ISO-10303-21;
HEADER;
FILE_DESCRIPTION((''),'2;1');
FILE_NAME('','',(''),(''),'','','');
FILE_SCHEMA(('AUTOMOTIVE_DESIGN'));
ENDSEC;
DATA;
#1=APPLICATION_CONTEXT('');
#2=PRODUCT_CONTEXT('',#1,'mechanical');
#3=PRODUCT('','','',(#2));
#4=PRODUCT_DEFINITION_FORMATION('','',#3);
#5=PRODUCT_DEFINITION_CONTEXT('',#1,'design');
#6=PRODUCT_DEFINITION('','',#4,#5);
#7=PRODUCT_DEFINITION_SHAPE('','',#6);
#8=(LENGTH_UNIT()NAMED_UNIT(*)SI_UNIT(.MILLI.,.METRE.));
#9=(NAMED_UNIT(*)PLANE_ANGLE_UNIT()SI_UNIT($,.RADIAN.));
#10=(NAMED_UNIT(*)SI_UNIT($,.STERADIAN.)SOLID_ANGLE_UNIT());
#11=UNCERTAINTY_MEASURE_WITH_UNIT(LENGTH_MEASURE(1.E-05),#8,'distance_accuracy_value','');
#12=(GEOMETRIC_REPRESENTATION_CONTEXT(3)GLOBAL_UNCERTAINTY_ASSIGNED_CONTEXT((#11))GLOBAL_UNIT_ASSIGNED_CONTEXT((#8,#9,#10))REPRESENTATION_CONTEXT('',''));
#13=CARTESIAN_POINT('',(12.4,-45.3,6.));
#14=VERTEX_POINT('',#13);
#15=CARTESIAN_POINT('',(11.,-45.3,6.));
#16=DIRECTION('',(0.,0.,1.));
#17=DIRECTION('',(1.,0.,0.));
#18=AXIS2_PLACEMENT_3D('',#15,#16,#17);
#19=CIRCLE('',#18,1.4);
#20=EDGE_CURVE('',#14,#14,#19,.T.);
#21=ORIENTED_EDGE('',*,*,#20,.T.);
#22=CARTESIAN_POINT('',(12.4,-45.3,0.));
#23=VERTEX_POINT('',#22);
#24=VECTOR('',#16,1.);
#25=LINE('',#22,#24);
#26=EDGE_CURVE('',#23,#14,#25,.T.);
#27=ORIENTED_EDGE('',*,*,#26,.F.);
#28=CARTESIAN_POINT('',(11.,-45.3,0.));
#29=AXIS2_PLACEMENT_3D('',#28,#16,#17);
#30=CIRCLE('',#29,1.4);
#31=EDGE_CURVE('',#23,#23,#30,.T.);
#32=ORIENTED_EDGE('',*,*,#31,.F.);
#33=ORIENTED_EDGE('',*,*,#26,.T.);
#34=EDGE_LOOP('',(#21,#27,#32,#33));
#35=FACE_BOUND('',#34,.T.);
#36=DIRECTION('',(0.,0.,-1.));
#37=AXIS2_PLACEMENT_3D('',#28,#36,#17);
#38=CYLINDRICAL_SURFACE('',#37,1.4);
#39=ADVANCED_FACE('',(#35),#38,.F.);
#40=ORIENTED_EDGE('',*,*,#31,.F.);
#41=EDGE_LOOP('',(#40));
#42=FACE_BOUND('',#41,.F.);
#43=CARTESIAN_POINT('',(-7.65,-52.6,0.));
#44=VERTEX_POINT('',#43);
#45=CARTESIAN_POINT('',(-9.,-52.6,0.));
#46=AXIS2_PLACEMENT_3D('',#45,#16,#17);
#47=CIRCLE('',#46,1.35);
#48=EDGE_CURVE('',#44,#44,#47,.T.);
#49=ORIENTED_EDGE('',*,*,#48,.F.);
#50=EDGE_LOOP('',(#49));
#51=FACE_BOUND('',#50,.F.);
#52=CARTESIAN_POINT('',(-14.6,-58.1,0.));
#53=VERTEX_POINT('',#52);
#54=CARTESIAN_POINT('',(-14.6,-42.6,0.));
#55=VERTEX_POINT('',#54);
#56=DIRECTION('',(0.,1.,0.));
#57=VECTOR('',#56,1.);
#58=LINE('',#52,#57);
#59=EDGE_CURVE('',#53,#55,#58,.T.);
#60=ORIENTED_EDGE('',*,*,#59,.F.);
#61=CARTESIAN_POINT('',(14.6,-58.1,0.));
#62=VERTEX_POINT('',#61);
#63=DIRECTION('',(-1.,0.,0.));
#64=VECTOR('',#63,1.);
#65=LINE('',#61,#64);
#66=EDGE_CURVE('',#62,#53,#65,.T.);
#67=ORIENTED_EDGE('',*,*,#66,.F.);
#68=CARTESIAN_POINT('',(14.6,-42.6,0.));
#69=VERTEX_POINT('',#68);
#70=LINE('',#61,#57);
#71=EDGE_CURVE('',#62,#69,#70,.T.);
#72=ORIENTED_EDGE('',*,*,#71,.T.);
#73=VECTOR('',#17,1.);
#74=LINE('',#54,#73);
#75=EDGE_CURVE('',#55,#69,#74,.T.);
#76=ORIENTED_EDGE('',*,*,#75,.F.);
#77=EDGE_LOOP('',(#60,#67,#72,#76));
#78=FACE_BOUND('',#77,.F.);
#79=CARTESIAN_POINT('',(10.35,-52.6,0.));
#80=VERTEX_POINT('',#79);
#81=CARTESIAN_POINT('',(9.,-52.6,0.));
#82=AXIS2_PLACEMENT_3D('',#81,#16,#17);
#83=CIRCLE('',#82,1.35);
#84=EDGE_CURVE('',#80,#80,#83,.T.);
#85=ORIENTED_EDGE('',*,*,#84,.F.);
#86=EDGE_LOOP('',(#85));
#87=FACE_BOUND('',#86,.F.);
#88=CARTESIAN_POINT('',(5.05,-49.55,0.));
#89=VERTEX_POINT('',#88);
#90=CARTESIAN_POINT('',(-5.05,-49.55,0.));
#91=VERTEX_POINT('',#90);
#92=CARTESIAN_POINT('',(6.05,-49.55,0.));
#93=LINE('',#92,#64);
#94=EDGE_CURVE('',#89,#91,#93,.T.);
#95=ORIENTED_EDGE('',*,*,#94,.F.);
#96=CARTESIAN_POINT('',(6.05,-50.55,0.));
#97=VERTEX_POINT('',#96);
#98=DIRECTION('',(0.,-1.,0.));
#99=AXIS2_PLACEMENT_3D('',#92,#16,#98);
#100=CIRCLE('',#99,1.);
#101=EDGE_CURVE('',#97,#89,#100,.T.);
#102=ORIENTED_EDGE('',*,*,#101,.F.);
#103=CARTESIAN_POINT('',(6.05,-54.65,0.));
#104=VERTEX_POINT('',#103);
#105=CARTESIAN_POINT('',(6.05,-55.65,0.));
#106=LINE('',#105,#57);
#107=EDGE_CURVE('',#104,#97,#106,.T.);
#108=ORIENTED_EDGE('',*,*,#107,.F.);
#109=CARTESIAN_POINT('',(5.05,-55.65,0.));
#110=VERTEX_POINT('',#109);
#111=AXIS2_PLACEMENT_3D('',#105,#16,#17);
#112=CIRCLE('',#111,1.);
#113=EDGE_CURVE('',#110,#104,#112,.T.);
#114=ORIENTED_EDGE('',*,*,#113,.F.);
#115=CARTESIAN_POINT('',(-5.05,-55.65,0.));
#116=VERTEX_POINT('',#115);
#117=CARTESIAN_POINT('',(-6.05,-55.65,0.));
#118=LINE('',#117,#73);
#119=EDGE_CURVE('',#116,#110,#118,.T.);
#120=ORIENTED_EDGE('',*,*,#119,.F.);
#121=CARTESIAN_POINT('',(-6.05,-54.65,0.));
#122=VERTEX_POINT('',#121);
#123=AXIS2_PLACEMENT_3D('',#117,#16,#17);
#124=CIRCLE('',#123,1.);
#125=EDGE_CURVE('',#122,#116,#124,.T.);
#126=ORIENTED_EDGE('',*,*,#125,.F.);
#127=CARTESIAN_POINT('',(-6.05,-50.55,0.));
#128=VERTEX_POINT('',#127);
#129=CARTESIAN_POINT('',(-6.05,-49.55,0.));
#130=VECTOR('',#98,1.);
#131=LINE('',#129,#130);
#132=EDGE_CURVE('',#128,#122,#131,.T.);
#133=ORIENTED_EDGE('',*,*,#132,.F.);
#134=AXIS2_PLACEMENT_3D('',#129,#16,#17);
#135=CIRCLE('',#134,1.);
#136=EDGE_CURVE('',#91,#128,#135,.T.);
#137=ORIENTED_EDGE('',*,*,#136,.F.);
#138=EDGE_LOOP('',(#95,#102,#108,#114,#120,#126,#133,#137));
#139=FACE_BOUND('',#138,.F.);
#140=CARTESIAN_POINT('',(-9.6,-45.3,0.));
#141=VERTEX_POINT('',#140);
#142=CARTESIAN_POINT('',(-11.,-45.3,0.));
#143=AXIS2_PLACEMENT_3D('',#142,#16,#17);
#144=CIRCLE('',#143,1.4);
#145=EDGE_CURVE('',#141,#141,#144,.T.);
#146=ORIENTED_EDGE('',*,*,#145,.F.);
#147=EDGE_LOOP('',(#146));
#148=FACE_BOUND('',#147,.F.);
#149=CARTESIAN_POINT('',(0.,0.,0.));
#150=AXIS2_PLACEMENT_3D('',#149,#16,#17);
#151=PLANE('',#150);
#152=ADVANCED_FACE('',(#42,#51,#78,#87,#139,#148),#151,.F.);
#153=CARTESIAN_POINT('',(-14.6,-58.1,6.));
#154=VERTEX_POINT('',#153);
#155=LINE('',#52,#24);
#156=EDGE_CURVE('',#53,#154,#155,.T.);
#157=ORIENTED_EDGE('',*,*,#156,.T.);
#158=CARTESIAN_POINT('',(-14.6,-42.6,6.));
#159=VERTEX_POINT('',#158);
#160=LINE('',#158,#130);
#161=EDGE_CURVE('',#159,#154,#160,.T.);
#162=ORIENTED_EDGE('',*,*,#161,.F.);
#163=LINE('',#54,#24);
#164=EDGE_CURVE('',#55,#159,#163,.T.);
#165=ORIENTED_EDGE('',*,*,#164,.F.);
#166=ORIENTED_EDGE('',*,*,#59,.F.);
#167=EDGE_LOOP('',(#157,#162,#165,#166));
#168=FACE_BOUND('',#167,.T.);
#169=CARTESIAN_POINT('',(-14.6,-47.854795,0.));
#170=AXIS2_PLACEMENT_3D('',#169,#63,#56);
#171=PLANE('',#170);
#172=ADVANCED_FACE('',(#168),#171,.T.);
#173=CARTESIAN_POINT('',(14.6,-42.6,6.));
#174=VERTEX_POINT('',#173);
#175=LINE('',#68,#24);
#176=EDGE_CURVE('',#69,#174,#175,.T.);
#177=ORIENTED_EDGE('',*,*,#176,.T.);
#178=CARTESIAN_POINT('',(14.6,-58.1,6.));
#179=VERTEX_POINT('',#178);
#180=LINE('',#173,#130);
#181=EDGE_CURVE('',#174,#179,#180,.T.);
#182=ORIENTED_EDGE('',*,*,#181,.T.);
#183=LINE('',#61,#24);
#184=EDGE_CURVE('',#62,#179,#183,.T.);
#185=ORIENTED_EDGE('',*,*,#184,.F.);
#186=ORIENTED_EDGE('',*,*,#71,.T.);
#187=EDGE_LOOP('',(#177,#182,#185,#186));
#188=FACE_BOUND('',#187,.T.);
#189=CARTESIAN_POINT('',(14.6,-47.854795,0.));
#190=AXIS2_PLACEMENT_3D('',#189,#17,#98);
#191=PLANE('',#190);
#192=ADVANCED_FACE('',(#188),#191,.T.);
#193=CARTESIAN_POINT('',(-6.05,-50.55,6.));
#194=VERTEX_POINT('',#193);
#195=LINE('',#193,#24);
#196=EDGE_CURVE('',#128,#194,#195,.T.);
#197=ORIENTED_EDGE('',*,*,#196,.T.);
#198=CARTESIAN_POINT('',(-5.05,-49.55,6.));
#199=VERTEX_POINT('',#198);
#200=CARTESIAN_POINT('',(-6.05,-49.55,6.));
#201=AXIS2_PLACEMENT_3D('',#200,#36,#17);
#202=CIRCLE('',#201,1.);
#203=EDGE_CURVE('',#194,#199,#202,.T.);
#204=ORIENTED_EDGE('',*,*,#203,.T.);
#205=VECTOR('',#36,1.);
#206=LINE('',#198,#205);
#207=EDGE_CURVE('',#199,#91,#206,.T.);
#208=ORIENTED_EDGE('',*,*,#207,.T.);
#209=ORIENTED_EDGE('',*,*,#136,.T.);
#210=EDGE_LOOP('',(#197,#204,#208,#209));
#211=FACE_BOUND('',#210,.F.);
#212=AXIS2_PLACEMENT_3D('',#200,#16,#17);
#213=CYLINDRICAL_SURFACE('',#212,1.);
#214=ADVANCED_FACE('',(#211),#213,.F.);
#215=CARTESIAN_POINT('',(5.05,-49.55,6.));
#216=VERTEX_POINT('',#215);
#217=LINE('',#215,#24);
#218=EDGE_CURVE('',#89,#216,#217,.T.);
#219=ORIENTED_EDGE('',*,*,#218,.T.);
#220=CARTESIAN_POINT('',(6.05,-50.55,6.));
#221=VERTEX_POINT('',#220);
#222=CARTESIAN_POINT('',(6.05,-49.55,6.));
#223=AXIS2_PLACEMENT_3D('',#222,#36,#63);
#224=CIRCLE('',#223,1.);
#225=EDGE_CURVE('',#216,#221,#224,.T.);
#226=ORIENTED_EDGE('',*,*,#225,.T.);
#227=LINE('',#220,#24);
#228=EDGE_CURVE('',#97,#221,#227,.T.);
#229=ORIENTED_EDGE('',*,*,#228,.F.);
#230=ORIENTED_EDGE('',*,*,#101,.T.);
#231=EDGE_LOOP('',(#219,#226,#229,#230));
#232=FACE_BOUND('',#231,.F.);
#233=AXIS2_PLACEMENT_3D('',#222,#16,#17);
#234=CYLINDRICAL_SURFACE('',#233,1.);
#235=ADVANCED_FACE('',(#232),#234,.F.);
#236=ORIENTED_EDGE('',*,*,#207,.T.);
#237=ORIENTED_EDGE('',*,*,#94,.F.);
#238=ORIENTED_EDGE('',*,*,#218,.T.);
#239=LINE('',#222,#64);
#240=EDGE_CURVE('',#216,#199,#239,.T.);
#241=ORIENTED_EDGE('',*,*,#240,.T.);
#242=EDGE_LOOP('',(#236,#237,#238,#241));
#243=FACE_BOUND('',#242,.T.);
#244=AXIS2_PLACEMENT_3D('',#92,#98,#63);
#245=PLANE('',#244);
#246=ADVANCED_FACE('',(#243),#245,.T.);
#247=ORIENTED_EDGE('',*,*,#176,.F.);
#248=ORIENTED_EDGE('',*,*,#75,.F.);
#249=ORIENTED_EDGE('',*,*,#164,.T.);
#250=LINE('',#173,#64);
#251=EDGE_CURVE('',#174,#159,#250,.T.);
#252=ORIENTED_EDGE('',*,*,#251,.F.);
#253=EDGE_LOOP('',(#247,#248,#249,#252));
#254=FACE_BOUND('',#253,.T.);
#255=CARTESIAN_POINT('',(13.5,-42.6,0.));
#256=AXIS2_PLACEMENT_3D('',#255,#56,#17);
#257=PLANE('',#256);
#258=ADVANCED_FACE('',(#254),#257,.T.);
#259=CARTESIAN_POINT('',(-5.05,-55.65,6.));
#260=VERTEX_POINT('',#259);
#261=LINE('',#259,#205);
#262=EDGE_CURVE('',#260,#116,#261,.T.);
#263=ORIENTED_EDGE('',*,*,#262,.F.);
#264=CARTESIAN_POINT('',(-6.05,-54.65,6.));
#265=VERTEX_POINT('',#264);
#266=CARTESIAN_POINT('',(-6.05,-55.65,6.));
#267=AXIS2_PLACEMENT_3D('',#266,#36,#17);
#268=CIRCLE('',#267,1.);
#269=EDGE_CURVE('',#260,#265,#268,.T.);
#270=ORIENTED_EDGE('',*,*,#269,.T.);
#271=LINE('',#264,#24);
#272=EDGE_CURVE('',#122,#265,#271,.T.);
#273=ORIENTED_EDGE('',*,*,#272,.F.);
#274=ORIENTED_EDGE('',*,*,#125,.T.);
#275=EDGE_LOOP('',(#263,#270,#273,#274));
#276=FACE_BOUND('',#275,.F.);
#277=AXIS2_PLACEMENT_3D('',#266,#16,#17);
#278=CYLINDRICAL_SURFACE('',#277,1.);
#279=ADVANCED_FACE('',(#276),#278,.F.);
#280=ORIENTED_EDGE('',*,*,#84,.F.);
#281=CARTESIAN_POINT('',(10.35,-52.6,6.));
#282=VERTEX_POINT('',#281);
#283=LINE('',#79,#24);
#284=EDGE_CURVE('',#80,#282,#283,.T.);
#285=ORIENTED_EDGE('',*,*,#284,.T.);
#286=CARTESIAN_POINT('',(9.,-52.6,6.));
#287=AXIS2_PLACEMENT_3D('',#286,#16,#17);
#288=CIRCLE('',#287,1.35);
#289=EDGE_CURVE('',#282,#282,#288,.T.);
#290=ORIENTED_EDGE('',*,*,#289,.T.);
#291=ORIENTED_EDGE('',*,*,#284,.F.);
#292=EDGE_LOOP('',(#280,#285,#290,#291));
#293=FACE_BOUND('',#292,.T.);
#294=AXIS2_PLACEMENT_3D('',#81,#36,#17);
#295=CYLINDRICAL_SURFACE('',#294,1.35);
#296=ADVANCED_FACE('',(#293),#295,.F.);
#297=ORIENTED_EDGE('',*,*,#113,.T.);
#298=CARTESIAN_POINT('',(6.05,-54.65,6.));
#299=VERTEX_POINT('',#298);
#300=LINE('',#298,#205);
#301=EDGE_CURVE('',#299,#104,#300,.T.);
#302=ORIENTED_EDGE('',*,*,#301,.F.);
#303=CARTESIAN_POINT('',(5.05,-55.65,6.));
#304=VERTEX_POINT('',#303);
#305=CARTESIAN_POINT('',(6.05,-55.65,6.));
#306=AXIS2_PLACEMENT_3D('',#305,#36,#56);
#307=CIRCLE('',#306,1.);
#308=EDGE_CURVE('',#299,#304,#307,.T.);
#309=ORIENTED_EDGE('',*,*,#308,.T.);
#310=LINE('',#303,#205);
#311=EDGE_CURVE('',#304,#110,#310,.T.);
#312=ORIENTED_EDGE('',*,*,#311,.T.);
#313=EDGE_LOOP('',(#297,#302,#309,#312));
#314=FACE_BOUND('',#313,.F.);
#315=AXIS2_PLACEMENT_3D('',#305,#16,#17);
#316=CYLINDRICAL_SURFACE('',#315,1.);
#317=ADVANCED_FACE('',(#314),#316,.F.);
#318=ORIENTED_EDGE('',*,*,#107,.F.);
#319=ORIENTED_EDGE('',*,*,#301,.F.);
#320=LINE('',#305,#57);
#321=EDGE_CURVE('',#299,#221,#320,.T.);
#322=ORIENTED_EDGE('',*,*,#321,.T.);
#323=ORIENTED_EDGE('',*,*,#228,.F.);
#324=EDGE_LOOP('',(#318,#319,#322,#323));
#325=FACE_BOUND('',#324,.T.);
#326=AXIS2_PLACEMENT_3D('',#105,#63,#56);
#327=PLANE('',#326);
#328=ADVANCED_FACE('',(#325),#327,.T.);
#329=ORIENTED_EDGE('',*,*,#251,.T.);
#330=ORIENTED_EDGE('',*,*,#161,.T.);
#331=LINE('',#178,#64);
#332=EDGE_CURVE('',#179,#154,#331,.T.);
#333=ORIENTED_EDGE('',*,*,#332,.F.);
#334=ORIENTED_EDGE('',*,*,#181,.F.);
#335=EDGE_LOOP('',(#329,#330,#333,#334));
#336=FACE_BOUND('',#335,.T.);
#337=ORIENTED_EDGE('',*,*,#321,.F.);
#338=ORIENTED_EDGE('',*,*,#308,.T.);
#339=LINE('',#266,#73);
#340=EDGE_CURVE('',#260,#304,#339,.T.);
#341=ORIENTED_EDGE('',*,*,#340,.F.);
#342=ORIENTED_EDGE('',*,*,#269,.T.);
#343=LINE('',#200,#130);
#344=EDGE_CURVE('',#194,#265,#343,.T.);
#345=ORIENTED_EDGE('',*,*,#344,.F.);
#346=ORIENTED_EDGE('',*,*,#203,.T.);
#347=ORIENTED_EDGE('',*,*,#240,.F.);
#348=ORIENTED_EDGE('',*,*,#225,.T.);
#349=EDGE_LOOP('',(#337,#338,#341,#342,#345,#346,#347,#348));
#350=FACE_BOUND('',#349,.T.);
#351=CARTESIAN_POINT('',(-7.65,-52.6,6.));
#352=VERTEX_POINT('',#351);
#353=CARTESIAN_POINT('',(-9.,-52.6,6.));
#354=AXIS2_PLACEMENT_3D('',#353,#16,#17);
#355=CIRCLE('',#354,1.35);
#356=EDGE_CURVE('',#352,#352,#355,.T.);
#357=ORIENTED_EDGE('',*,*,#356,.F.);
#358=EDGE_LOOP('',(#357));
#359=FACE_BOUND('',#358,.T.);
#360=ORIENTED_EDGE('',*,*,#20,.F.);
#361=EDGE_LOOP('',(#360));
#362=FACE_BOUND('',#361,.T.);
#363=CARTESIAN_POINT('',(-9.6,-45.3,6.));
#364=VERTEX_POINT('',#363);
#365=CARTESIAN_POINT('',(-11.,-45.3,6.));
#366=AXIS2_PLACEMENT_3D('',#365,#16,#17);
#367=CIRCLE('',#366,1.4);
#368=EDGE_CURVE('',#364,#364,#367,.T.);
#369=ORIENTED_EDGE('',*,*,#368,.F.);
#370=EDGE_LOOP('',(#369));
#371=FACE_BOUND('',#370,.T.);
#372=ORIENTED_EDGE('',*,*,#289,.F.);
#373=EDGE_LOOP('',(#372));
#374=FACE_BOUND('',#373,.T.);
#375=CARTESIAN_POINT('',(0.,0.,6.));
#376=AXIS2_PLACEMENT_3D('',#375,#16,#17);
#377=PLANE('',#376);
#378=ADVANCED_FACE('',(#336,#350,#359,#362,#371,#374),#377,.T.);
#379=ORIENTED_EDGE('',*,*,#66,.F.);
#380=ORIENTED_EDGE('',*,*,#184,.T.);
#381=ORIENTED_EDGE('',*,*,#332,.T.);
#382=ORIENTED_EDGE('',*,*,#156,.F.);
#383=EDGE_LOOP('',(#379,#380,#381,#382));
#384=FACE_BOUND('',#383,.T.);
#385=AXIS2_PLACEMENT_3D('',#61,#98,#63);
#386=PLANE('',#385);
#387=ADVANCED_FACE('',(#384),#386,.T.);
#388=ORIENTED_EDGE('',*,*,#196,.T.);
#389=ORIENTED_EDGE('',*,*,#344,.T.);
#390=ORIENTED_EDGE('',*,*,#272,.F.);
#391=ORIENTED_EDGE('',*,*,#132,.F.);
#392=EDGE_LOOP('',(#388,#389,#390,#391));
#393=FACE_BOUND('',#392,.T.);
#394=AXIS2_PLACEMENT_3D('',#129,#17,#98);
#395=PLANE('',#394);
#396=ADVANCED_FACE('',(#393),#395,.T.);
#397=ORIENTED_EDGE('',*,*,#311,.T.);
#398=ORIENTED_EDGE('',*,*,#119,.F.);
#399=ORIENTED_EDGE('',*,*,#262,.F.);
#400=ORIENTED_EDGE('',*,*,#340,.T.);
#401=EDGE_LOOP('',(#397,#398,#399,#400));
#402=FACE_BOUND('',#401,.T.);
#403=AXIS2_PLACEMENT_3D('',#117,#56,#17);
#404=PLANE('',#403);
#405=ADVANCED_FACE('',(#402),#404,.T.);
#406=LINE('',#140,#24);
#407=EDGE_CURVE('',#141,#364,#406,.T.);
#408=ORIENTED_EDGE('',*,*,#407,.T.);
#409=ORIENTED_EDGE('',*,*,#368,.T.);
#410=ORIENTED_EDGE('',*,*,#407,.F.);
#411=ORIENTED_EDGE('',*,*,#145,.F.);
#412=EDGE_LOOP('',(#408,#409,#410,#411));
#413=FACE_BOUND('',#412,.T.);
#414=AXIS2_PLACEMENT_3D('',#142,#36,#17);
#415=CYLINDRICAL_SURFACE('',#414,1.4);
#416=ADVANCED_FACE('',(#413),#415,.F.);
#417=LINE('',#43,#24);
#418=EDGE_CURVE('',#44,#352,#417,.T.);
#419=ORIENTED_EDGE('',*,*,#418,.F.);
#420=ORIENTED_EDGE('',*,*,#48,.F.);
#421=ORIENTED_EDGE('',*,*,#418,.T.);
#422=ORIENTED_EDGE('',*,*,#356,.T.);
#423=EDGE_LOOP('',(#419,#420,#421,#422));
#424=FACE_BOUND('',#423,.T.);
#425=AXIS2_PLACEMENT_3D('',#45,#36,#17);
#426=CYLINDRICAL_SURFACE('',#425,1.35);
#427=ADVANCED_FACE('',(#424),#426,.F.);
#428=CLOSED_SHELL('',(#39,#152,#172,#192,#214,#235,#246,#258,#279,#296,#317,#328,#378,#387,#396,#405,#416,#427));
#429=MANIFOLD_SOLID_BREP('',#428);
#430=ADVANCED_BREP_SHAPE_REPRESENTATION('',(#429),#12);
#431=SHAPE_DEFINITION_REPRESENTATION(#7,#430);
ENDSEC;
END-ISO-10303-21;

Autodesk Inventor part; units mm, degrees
ref_plane "YZ Plane" through (0, 0, 0) normal (1, 0, 0) x (0, 1, 0)
ref_plane "XZ Plane" through (0, 0, 0) normal (0, 1, 0) x (-1, 0, 0)
ref_plane "XY Plane" through (0, 0, 0) normal (0, 0, 1) x (1, 0, 0)
ref_plane "작업 평면1" through (0, 0, 0) normal (0, 0, 1) x (1, 0, 0)
sketch "스케치1" plane through (0, 0, 0) normal (0, 0, 1) x (1, 0, 0)
  arc A0 (20.1, 4.5766) -> (19.5808, 6.2636) centre (17.1, 4.5766) ccw projected
  line L0 (19.5808, 6.2636) -> (15.5953, 12.1246) projected
  arc A1 (15.5953, 12.1246) -> (13.9414, 13) centre (13.9414, 11) ccw projected
  line L1 (13, 13) -> (13.9414, 13) projected
  arc A2 (14.5, 11.5) -> (13, 13) centre (13, 11.5) ccw projected
  line L2 (14.5, -41.5) -> (14.5, 11.5) projected
  arc A3 (13.5, -42.5) -> (14.5, -41.5) centre (13.5, -41.5) ccw projected
  line L3 (-13.5, -42.5) -> (13.5, -42.5) projected
  arc A4 (-14.5, -41.5) -> (-13.5, -42.5) centre (-13.5, -41.5) ccw projected
  line L4 (-14.5, 11.5) -> (-14.5, -41.5) projected
  arc A5 (-13, 13) -> (-14.5, 11.5) centre (-13, 11.5) ccw projected
  line L5 (-13.9414, 13) -> (-13, 13) projected
  arc A6 (-13.9414, 13) -> (-15.5953, 12.1246) centre (-13.9414, 11) ccw projected
  line L6 (-15.5953, 12.1246) -> (-19.5808, 6.2636) projected
  arc A7 (-19.5808, 6.2636) -> (-20.1, 4.5766) centre (-17.1, 4.5766) ccw projected
  line L7 (-20.1, 4.5766) -> (-20.1, -39.6766) projected
  arc A8 (-20.1, -39.6766) -> (-19.5808, -41.3636) centre (-17.1, -39.6766) ccw projected
  line L8 (-19.5808, -41.3636) -> (-15.8929, -46.7869) projected
  arc A9 (-15.8929, -46.7869) -> (-13.4121, -48.1) centre (-13.4121, -45.1) ccw projected
  line L9 (-13.4121, -48.1) -> (13.4121, -48.1) projected
  arc A10 (13.4121, -48.1) -> (15.8929, -46.7869) centre (13.4121, -45.1) ccw projected
  line L10 (15.8929, -46.7869) -> (19.5808, -41.3636) projected
  arc A11 (19.5808, -41.3636) -> (20.1, -39.6766) centre (17.1, -39.6766) ccw projected
  line L11 (20.1, -39.6766) -> (20.1, 4.5766) projected
  circle A12 centre (-17.3, 4) radius 1.35 projected
  circle A13 centre (-17.3, -18) radius 1.35 projected
  circle A14 centre (-11, -45.3) radius 1.35 projected
  circle A15 centre (17.3, 4) radius 1.35 projected
  circle A16 centre (17.3, -18) radius 1.35 projected
  circle A17 centre (11, -45.3) radius 1.35 projected
  circle A18 centre (-17.3, -40) radius 1.35 projected
  circle A19 centre (17.3, -40) radius 1.35 projected
  arc A20 (-14.6, -41.5) -> (-13.5, -42.6) centre (-13.5, -41.5) ccw
  line L12 (-13.5, -42.6) -> (13.5, -42.6)
  arc A21 (13.5, -42.6) -> (14.6, -41.5) centre (13.5, -41.5) ccw
  line L13 (14.6, -41.5) -> (14.6, 11.5)
  arc A22 (14.6, 11.5) -> (12.2254, 12.9) centre (13, 11.5) ccw
  line L14 (12.2254, 12.9) -> (13.9414, 12.9)
  arc A23 (15.5126, 12.0684) -> (13.9414, 12.9) centre (13.9414, 11) ccw
  line L15 (15.5126, 12.0684) -> (19.4981, 6.2073)
  arc A24 (20, 4.5766) -> (19.4981, 6.2073) centre (17.1, 4.5766) ccw
  line L16 (20, 4.5766) -> (20, -39.6766)
  arc A25 (19.4981, -41.3073) -> (20, -39.6766) centre (17.1, -39.6766) ccw
  line L17 (19.4981, -41.3073) -> (15.8102, -46.7307)
  arc A26 (14.6, -47.7455) -> (15.8102, -46.7307) centre (13.4121, -45.1) ccw
  arc A27 (-15.8102, -46.7307) -> (-14.6, -47.7455) centre (-13.4121, -45.1) ccw
  line L18 (-15.8102, -46.7307) -> (-19.4981, -41.3073)
  arc A28 (-20, -39.6766) -> (-19.4981, -41.3073) centre (-17.1, -39.6766) ccw
  line L19 (-20, -39.6766) -> (-20, 4.5766)
  arc A29 (-19.4981, 6.2073) -> (-20, 4.5766) centre (-17.1, 4.5766) ccw
  line L20 (-19.4981, 6.2073) -> (-15.5126, 12.0684)
  arc A30 (-13.9414, 12.9) -> (-15.5126, 12.0684) centre (-13.9414, 11) ccw
  line L21 (-13.9414, 12.9) -> (-12.2254, 12.9)
  arc A31 (-12.2254, 12.9) -> (-14.6, 11.5) centre (-13, 11.5) ccw
  line L22 (-14.6, 11.5) -> (-14.6, -41.5)
  line L23 (-14.6, -42.6) -> (14.6, -42.6)
  line L24 (14.6, -42.6) -> (14.6, -48.1)
  line L25 (14.6, -48.1) -> (-14.6, -48.1)
  line L26 (-14.6, -48.1) -> (-14.6, -42.6)
  line L27 (-14.6, -48.1) -> (14.6, -48.1)
  line L28 (14.6, -48.1) -> (14.6, -57.1)
  line L29 (14.6, -57.1) -> (-14.6, -57.1)
  line L30 (-14.6, -57.1) -> (-14.6, -48.1)
  circle A32 centre (-11, -45.3) radius 1.4
  circle A33 centre (11, -45.3) radius 1.4
  line L31 (-6.05, -55.65) -> (6.05, -55.65)
  line L32 (6.05, -55.65) -> (6.05, -49.55)
  line L33 (6.05, -49.55) -> (-6.05, -49.55)
  line L34 (-6.05, -49.55) -> (-6.05, -55.65)
  line L35 (-6.05, -55.65) -> (6.05, -49.55) construction
  line L36 (6.05, -55.65) -> (-6.05, -49.55) construction
  line L37 (-14.6, -57.1) -> (14.6, -57.1)
  line L38 (14.6, -57.1) -> (14.6, -58.1)
  line L39 (14.6, -58.1) -> (-14.6, -58.1)
  line L40 (-14.6, -58.1) -> (-14.6, -57.1)
  circle A34 centre (9, -52.6) radius 1.35
  circle A35 centre (-9, -52.6) radius 1.35
  point P0 (0, 0)
  point P1 (0, -52.6)
  point P2 (-13.5, -42.6)
  dimension "d0" = 0.1
  dimension "d1" = 9
  dimension "d2" = 2.8
  dimension "d3" = 2.8
  dimension "d4" = 12.1
  dimension "d5" = 6.1
  dimension "d8" = 1
  dimension "d9" = 2.7
  dimension "d10" = 2.7
extrude "돌출2" add sketch "스케치1" along normal blind 6 contours L24 L25 A10 | A10 L9 A9 L26 L23 L12 L24 | L25 L28 L29 L30 L9 | L25 L26 A9 | L38 L39 L40 L29
sketch "스케치2" plane through (0, 0, 6) normal (0, 0, 1) x (1, 0, 0)
  line L0 (-6.05, -49.55) -> (6.05, -49.55) projected
  line L1 (6.05, -49.55) -> (6.05, -55.65) projected
  line L2 (-6.05, -55.65) -> (-6.05, -49.55) projected
  line L3 (6.05, -55.65) -> (-6.05, -55.65) projected
  circle A0 centre (6.05, -49.55) radius 1
  circle A1 centre (-6.05, -49.55) radius 1
  circle A2 centre (-6.05, -55.65) radius 1
  circle A3 centre (6.05, -55.65) radius 1
  point P0 (0, 0)
  point P1 (5.05, -55.65)
  point P2 (6.05, -54.65)
  dimension "d14" = 2
  dimension "d15" = 2
  dimension "d16" = 2
  dimension "d17" = 2
extrude "돌출3" cut sketch "스케치2" against normal blind 10 contours L2 A1 L0 | L0 A1 L2 | A0 L1 L0 | L0 L1 A0 | A2 L3 L2 | L2 L3 A2 | A3 L3 L1 picked at (5.393, -55.7298)
properties part number "chest connector_fixing part" material "PMMA 플라스틱"
